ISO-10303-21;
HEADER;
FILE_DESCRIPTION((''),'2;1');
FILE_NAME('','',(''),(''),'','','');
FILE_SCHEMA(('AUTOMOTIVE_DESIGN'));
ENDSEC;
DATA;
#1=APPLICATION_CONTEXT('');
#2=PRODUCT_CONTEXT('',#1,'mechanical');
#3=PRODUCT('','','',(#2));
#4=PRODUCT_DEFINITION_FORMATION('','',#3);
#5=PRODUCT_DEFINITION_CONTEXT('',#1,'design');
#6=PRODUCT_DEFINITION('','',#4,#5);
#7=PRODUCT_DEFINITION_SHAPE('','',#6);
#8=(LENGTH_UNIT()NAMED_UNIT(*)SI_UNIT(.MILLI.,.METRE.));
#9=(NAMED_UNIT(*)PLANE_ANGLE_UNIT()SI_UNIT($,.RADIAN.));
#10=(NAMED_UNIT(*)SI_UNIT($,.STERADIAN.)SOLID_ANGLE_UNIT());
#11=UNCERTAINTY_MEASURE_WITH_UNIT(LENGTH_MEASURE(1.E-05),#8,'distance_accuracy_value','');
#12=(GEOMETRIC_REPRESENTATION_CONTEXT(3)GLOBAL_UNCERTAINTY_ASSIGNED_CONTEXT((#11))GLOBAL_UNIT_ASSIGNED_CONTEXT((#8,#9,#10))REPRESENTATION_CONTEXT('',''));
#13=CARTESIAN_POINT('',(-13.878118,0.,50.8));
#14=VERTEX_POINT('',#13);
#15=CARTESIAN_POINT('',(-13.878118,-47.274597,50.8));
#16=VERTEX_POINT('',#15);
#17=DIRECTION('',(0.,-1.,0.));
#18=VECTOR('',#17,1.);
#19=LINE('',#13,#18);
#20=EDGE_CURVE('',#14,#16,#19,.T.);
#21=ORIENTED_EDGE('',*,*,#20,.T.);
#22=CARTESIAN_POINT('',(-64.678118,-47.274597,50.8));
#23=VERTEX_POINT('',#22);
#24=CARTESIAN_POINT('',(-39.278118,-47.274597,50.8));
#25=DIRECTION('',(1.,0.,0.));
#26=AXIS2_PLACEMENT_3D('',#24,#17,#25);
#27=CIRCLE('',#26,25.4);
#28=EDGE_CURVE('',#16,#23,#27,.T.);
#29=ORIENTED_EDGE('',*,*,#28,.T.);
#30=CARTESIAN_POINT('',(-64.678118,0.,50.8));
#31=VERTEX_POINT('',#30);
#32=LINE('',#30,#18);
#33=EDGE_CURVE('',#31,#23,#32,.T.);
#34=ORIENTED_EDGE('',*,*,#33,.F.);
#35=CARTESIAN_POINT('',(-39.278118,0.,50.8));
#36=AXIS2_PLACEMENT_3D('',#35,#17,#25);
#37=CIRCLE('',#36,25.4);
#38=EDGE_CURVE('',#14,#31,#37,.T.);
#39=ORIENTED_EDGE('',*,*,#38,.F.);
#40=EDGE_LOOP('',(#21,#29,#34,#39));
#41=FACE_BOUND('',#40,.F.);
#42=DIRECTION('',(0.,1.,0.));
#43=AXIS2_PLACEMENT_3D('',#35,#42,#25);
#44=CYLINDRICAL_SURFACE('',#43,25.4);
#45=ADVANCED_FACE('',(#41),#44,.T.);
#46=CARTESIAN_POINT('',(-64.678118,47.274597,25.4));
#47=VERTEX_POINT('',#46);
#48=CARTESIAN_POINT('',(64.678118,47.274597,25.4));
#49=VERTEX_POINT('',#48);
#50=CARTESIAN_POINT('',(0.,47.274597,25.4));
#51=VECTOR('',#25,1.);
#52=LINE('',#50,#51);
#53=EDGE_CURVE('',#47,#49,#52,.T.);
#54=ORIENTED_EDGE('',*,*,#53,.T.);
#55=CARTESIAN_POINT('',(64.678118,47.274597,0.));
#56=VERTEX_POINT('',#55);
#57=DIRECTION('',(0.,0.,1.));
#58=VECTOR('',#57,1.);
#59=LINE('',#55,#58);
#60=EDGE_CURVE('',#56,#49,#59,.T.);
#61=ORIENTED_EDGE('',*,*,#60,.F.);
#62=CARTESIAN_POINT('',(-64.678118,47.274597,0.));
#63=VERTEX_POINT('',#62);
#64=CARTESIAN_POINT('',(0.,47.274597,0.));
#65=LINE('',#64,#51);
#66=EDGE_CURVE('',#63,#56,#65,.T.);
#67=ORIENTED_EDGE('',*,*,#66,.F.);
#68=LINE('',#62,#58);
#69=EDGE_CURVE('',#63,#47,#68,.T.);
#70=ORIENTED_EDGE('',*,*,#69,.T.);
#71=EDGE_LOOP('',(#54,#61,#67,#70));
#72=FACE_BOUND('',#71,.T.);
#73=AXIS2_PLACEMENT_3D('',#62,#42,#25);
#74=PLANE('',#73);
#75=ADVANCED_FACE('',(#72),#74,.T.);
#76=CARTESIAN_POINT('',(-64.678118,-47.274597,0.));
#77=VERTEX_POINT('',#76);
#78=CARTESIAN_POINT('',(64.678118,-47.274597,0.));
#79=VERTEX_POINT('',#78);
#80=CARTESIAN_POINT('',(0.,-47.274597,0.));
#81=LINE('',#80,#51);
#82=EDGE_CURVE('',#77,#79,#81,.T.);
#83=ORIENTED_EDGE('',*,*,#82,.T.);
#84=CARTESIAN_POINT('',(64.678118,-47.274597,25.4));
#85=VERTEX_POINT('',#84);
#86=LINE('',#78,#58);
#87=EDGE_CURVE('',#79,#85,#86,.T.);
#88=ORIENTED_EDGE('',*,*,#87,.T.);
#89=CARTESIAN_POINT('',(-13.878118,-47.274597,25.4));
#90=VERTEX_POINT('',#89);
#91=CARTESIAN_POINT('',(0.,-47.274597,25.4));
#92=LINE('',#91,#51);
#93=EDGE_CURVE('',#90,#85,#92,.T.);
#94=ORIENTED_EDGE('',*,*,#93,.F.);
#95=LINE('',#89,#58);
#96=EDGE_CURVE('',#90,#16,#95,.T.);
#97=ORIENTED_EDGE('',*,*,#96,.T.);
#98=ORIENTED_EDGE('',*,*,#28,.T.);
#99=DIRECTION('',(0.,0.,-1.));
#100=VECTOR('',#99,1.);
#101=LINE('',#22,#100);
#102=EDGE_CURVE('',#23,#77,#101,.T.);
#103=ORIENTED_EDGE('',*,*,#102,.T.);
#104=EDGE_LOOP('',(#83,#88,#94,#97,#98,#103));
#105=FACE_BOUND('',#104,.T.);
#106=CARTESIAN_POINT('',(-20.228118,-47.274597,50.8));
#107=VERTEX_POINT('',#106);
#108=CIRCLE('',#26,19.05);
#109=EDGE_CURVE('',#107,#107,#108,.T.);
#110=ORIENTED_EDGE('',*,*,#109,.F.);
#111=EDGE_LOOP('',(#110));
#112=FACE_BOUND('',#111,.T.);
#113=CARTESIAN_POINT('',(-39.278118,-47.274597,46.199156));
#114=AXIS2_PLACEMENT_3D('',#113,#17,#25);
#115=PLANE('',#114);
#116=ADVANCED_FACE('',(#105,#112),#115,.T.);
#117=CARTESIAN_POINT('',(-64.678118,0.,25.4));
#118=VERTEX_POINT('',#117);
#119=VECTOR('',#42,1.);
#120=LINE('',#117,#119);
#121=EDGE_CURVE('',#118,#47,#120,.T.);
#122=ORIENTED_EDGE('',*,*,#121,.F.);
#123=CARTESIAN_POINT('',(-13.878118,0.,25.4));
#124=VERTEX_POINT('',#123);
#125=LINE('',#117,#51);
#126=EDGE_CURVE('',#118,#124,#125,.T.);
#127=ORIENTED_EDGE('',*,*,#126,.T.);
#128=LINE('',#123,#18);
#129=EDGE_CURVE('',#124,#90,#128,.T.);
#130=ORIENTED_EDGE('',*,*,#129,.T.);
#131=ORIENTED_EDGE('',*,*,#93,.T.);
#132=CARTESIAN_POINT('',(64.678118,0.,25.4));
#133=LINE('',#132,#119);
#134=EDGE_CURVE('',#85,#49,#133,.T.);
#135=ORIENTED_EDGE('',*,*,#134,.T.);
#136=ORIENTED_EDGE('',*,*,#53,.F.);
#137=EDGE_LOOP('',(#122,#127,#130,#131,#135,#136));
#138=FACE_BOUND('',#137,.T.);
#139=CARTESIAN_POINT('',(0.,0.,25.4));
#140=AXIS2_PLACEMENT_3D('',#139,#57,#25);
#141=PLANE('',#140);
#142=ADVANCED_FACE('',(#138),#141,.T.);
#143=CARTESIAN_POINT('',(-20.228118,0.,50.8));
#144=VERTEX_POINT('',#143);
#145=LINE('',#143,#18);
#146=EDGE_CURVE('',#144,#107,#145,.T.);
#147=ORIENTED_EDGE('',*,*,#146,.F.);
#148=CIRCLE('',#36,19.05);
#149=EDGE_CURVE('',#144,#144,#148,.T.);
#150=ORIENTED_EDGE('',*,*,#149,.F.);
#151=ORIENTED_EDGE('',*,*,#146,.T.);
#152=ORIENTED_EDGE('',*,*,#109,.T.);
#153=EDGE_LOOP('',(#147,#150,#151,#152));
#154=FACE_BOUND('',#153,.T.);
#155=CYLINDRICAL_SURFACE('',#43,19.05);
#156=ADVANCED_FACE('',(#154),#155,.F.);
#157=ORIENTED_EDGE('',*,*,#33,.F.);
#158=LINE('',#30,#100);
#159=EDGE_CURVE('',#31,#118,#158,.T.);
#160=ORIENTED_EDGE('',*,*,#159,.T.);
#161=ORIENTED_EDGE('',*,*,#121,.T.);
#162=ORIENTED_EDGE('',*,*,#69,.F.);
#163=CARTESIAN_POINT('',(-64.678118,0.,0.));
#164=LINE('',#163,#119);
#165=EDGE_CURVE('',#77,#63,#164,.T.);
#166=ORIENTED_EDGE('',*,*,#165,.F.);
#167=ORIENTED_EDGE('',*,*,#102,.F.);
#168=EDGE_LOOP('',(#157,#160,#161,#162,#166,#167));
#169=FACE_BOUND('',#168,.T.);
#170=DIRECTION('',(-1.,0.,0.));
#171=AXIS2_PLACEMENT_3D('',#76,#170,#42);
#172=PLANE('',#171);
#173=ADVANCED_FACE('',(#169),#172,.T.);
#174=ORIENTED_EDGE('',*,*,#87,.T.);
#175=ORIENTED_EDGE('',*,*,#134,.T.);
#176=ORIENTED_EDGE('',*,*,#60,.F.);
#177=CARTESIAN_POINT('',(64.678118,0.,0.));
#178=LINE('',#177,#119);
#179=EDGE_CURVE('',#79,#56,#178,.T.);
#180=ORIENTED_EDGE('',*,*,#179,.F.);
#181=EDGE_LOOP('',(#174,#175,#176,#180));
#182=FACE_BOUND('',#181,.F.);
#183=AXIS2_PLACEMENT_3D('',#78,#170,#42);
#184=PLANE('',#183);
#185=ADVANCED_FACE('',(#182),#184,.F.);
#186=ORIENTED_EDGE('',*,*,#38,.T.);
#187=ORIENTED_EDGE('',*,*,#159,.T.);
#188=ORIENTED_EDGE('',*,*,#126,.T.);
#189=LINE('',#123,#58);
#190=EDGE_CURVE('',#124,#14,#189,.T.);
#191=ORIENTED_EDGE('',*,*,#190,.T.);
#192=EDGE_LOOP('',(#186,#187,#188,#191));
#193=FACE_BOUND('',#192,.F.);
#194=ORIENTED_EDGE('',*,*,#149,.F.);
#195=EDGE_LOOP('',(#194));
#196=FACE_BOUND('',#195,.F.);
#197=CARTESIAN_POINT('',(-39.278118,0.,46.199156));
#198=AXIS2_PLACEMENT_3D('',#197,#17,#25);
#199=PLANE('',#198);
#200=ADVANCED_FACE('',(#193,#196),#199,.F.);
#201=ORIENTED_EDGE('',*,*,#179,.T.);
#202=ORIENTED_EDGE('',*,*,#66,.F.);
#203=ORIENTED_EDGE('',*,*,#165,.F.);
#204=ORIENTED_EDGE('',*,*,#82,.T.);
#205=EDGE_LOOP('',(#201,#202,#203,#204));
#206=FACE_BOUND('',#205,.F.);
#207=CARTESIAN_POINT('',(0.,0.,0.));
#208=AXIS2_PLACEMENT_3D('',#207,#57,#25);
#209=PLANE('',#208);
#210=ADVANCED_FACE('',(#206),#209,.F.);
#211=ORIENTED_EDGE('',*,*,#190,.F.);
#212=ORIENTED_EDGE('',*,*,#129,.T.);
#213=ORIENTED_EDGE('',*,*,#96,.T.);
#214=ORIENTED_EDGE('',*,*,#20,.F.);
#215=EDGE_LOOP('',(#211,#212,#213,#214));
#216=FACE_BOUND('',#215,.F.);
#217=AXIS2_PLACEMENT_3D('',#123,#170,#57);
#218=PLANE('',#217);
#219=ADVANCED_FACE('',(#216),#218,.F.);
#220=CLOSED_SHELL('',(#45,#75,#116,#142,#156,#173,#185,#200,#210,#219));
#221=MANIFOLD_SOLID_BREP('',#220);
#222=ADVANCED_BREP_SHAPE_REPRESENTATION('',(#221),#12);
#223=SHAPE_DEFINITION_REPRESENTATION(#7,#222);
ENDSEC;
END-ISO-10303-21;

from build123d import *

# Parameters (mm, degrees)
F0_W     = 129.356236
F0_H     = 94.549194
F1_DEPTH = 25.4
F2_R     = 19.05
F3_DEPTH = 47.274597


with BuildPart() as f1:
    # F0 (on Top) → F1 (new body)
    with BuildSketch(Plane.XY):
        Rectangle(F0_W, F0_H)
    extrude(amount=F1_DEPTH)

    # F2 (on Front) → F3 (join, through all)
    with BuildSketch(Plane.XZ):
        with BuildLine():
            Line((-13.878118, 25.4), (-13.878118, 50.8))
            ThreePointArc((-13.878118, 50.8), (-39.278118, 76.2), (-64.678118, 50.8))
            Line((-64.678118, 50.8), (-64.678118, 25.4))
            Line((-64.678118, 25.4), (-13.878118, 25.4))
        make_face()
        with Locations((-39.278118, 50.8)):
            Circle(F2_R, mode=Mode.SUBTRACT)
    extrude(amount=F3_DEPTH)


solid = f1.part
